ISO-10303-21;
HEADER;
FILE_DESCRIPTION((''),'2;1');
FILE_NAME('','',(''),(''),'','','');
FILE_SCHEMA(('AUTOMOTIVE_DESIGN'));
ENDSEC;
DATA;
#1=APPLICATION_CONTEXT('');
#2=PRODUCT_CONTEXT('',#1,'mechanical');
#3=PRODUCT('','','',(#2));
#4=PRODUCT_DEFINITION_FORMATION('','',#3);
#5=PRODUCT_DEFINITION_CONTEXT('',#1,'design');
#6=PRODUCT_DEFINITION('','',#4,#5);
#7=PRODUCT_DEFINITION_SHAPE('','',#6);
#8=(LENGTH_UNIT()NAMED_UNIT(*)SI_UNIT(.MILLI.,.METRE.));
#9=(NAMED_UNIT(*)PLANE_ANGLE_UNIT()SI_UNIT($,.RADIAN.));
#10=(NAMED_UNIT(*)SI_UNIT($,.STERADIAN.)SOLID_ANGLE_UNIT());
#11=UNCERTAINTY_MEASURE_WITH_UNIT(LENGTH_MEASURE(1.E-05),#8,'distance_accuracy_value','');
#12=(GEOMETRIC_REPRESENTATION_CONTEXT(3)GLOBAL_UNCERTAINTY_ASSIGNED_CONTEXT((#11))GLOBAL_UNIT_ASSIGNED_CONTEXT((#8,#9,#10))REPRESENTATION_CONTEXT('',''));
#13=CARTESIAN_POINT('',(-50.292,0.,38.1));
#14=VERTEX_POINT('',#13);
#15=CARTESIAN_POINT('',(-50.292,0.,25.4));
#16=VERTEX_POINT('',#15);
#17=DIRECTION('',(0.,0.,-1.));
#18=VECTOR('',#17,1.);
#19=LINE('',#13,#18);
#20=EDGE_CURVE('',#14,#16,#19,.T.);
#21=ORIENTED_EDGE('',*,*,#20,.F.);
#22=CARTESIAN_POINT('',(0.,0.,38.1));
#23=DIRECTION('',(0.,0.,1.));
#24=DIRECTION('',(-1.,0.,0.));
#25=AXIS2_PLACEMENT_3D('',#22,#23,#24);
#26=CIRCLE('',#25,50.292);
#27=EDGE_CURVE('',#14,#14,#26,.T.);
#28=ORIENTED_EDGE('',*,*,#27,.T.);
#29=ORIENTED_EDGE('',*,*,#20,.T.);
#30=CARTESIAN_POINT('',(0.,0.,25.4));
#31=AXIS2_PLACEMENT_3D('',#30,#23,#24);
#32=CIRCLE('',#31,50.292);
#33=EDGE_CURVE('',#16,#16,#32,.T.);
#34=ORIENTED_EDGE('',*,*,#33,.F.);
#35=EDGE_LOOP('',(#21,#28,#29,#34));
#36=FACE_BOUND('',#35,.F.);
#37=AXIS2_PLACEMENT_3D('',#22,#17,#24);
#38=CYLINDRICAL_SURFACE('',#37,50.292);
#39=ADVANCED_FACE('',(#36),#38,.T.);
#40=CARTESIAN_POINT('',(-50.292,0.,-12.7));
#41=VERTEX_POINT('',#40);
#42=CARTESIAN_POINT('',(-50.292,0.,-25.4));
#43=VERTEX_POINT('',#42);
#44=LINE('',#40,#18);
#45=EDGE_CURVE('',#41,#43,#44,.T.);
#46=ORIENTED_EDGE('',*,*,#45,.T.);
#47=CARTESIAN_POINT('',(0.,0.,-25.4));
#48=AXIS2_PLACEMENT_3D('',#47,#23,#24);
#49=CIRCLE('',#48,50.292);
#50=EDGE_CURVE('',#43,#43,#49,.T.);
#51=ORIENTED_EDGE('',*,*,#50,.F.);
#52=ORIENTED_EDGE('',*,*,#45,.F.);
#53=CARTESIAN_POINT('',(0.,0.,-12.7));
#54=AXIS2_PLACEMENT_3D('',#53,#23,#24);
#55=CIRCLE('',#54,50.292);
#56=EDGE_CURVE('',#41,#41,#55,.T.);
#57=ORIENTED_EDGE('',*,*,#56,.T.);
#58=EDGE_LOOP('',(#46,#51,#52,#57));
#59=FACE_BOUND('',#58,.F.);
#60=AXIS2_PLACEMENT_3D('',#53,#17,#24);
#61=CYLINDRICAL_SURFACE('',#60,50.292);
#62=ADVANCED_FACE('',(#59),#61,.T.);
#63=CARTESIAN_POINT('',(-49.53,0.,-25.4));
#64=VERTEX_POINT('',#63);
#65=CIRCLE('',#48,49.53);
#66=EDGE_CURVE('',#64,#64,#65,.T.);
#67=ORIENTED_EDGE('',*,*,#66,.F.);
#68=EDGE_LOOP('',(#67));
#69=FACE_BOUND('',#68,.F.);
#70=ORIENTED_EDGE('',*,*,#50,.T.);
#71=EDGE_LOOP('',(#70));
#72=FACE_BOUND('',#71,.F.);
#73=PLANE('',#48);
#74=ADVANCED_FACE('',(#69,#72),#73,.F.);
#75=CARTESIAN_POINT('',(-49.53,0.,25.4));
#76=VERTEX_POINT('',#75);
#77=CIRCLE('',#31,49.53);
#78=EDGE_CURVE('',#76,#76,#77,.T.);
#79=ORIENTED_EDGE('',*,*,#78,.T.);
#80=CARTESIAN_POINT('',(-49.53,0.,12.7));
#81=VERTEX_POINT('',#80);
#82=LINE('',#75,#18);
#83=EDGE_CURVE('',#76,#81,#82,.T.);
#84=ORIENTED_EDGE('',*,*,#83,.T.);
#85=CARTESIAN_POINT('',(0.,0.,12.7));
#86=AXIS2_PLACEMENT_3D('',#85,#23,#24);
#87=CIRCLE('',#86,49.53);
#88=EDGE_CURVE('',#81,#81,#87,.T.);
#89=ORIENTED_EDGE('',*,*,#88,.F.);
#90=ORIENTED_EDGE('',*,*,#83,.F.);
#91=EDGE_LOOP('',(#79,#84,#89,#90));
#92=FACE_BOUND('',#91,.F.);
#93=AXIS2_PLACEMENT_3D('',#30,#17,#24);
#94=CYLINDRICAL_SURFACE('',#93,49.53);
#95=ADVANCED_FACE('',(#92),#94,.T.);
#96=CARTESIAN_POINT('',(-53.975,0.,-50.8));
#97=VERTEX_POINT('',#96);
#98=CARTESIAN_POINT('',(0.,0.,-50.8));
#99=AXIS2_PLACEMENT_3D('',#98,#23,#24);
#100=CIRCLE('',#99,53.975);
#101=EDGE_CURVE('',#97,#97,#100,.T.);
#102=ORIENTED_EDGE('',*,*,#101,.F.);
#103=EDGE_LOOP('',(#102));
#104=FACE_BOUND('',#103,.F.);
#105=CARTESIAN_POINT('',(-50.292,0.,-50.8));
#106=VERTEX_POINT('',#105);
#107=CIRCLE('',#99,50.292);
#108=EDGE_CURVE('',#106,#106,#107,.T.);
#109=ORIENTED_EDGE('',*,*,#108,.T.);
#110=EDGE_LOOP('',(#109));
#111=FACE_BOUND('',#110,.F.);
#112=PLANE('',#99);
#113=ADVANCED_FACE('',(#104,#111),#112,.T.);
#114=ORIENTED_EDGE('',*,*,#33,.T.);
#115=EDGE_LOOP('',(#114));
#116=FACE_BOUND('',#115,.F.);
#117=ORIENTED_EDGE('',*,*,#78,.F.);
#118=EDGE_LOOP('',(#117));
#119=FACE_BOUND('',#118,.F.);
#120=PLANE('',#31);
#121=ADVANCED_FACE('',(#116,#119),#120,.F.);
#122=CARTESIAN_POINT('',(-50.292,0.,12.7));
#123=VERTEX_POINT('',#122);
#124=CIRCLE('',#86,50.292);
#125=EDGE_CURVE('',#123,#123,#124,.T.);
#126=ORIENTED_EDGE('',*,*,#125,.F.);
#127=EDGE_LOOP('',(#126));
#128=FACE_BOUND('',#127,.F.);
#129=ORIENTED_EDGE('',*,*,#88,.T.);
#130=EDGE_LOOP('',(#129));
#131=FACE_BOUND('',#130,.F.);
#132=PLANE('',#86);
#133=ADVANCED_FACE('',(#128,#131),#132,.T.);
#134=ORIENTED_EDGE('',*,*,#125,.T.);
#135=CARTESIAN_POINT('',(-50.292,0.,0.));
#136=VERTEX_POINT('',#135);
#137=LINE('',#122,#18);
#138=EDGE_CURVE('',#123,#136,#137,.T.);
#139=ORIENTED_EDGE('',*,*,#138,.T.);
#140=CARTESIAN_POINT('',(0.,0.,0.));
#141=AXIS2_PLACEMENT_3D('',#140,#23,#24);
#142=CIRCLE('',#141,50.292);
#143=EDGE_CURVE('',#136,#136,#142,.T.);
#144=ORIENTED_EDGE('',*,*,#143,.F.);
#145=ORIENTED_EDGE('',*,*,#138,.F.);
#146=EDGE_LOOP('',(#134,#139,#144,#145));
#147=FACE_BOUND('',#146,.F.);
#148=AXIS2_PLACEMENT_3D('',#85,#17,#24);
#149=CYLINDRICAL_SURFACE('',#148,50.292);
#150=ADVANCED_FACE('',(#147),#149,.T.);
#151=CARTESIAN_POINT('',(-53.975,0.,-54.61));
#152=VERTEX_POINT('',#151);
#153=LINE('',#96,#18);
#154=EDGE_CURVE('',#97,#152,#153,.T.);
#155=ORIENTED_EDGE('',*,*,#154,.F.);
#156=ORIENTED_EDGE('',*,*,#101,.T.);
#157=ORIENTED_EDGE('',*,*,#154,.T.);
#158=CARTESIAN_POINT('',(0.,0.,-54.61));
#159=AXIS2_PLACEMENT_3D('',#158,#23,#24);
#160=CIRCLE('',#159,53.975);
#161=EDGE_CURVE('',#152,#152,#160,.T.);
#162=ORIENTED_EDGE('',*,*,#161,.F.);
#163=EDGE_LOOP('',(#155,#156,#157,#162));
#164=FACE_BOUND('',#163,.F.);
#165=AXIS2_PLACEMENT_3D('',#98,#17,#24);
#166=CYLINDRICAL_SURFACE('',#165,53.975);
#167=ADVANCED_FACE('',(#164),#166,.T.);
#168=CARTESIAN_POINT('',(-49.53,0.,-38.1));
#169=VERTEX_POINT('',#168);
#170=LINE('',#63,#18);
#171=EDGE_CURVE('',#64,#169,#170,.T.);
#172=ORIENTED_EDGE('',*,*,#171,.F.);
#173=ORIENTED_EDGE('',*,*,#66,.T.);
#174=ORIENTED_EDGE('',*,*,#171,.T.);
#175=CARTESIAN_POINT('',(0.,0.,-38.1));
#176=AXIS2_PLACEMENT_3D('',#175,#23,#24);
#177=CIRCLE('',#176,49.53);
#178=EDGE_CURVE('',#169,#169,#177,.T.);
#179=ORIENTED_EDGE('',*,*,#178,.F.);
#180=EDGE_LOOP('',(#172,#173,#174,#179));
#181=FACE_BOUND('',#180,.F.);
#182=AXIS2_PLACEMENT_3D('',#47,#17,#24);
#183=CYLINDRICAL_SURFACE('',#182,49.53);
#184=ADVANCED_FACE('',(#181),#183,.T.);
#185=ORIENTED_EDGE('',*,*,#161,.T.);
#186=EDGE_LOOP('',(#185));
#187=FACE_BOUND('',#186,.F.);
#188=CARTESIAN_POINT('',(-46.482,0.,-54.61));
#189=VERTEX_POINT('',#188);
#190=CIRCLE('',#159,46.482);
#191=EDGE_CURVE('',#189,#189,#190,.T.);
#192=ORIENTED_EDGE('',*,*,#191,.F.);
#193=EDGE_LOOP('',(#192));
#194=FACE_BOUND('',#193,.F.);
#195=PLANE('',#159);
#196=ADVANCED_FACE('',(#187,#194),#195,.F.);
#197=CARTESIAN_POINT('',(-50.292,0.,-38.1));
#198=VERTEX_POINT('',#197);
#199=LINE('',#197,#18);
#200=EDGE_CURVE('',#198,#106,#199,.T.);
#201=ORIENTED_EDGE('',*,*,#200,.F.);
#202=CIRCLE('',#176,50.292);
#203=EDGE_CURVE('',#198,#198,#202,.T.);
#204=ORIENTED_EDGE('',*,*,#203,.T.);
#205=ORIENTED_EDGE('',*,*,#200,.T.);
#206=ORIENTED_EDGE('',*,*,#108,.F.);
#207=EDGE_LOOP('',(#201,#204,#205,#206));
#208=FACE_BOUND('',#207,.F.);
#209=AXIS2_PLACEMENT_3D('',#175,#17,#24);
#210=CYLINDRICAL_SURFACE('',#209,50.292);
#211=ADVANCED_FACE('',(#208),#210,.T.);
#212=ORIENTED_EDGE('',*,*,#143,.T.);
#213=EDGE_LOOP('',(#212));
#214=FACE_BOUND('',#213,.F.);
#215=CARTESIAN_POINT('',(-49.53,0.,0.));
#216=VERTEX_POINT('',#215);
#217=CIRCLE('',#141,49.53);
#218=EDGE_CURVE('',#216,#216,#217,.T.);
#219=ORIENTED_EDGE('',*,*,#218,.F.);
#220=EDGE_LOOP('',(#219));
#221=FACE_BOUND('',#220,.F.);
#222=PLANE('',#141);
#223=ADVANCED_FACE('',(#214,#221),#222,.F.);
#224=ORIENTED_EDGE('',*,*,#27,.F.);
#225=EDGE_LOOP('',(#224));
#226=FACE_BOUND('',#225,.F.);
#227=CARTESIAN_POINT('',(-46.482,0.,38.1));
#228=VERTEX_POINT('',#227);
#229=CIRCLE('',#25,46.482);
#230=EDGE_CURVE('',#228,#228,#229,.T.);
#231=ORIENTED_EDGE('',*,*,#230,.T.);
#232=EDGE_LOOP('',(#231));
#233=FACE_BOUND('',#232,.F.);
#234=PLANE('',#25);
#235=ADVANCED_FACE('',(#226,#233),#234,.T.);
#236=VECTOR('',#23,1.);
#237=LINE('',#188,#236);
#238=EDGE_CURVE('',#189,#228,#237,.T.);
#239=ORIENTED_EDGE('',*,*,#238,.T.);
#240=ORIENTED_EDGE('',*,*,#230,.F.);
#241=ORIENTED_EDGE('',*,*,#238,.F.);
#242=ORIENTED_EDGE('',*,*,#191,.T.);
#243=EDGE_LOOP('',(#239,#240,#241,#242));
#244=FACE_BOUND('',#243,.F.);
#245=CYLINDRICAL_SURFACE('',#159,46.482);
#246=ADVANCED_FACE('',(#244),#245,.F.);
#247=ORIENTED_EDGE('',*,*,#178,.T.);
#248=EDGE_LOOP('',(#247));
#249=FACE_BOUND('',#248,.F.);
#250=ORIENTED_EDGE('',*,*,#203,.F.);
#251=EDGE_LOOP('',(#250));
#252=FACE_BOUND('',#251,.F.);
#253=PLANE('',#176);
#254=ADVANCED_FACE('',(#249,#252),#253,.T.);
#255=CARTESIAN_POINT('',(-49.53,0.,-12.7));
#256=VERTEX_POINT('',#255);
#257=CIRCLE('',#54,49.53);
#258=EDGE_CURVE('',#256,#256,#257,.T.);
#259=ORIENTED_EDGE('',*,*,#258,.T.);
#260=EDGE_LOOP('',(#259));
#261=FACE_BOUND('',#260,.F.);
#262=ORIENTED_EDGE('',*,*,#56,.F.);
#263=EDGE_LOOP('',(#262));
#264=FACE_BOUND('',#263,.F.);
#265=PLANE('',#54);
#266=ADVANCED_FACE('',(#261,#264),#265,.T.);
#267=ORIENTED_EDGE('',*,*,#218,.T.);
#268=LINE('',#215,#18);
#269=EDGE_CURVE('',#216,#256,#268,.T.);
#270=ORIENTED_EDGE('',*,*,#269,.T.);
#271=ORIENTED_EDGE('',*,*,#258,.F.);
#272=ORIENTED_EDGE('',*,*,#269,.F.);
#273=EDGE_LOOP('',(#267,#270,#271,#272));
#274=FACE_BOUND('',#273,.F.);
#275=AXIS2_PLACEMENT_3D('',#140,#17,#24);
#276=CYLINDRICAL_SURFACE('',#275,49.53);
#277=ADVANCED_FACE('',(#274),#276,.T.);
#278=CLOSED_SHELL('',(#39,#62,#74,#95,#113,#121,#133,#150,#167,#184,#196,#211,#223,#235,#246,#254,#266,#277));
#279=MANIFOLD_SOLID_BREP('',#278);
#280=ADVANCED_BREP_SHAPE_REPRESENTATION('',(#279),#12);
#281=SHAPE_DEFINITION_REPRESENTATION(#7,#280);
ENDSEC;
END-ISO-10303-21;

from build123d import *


with BuildPart() as f1:
    # F0 (on Front) → F1 (revolve)
    with BuildSketch(Plane.XZ):
        Polygon((-53.975, -50.8), (-53.975, -54.61), (-46.482, -54.61), (-46.482, 38.1), (-49.53, 38.1), (-50.292, 38.1), (-50.292, 25.4), (-49.53, 25.4), (-49.53, 12.7), (-50.292, 12.7), (-50.292, 0), (-49.53, 0), (-49.53, -12.7), (-50.292, -12.7), (-50.292, -25.4), (-49.53, -25.4), (-49.53, -38.1), (-50.292, -38.1), (-50.292, -50.8), align=None)
    revolve(axis=Axis((0, 0, 20.140361), (0, 0, 1)))


solid = f1.part
